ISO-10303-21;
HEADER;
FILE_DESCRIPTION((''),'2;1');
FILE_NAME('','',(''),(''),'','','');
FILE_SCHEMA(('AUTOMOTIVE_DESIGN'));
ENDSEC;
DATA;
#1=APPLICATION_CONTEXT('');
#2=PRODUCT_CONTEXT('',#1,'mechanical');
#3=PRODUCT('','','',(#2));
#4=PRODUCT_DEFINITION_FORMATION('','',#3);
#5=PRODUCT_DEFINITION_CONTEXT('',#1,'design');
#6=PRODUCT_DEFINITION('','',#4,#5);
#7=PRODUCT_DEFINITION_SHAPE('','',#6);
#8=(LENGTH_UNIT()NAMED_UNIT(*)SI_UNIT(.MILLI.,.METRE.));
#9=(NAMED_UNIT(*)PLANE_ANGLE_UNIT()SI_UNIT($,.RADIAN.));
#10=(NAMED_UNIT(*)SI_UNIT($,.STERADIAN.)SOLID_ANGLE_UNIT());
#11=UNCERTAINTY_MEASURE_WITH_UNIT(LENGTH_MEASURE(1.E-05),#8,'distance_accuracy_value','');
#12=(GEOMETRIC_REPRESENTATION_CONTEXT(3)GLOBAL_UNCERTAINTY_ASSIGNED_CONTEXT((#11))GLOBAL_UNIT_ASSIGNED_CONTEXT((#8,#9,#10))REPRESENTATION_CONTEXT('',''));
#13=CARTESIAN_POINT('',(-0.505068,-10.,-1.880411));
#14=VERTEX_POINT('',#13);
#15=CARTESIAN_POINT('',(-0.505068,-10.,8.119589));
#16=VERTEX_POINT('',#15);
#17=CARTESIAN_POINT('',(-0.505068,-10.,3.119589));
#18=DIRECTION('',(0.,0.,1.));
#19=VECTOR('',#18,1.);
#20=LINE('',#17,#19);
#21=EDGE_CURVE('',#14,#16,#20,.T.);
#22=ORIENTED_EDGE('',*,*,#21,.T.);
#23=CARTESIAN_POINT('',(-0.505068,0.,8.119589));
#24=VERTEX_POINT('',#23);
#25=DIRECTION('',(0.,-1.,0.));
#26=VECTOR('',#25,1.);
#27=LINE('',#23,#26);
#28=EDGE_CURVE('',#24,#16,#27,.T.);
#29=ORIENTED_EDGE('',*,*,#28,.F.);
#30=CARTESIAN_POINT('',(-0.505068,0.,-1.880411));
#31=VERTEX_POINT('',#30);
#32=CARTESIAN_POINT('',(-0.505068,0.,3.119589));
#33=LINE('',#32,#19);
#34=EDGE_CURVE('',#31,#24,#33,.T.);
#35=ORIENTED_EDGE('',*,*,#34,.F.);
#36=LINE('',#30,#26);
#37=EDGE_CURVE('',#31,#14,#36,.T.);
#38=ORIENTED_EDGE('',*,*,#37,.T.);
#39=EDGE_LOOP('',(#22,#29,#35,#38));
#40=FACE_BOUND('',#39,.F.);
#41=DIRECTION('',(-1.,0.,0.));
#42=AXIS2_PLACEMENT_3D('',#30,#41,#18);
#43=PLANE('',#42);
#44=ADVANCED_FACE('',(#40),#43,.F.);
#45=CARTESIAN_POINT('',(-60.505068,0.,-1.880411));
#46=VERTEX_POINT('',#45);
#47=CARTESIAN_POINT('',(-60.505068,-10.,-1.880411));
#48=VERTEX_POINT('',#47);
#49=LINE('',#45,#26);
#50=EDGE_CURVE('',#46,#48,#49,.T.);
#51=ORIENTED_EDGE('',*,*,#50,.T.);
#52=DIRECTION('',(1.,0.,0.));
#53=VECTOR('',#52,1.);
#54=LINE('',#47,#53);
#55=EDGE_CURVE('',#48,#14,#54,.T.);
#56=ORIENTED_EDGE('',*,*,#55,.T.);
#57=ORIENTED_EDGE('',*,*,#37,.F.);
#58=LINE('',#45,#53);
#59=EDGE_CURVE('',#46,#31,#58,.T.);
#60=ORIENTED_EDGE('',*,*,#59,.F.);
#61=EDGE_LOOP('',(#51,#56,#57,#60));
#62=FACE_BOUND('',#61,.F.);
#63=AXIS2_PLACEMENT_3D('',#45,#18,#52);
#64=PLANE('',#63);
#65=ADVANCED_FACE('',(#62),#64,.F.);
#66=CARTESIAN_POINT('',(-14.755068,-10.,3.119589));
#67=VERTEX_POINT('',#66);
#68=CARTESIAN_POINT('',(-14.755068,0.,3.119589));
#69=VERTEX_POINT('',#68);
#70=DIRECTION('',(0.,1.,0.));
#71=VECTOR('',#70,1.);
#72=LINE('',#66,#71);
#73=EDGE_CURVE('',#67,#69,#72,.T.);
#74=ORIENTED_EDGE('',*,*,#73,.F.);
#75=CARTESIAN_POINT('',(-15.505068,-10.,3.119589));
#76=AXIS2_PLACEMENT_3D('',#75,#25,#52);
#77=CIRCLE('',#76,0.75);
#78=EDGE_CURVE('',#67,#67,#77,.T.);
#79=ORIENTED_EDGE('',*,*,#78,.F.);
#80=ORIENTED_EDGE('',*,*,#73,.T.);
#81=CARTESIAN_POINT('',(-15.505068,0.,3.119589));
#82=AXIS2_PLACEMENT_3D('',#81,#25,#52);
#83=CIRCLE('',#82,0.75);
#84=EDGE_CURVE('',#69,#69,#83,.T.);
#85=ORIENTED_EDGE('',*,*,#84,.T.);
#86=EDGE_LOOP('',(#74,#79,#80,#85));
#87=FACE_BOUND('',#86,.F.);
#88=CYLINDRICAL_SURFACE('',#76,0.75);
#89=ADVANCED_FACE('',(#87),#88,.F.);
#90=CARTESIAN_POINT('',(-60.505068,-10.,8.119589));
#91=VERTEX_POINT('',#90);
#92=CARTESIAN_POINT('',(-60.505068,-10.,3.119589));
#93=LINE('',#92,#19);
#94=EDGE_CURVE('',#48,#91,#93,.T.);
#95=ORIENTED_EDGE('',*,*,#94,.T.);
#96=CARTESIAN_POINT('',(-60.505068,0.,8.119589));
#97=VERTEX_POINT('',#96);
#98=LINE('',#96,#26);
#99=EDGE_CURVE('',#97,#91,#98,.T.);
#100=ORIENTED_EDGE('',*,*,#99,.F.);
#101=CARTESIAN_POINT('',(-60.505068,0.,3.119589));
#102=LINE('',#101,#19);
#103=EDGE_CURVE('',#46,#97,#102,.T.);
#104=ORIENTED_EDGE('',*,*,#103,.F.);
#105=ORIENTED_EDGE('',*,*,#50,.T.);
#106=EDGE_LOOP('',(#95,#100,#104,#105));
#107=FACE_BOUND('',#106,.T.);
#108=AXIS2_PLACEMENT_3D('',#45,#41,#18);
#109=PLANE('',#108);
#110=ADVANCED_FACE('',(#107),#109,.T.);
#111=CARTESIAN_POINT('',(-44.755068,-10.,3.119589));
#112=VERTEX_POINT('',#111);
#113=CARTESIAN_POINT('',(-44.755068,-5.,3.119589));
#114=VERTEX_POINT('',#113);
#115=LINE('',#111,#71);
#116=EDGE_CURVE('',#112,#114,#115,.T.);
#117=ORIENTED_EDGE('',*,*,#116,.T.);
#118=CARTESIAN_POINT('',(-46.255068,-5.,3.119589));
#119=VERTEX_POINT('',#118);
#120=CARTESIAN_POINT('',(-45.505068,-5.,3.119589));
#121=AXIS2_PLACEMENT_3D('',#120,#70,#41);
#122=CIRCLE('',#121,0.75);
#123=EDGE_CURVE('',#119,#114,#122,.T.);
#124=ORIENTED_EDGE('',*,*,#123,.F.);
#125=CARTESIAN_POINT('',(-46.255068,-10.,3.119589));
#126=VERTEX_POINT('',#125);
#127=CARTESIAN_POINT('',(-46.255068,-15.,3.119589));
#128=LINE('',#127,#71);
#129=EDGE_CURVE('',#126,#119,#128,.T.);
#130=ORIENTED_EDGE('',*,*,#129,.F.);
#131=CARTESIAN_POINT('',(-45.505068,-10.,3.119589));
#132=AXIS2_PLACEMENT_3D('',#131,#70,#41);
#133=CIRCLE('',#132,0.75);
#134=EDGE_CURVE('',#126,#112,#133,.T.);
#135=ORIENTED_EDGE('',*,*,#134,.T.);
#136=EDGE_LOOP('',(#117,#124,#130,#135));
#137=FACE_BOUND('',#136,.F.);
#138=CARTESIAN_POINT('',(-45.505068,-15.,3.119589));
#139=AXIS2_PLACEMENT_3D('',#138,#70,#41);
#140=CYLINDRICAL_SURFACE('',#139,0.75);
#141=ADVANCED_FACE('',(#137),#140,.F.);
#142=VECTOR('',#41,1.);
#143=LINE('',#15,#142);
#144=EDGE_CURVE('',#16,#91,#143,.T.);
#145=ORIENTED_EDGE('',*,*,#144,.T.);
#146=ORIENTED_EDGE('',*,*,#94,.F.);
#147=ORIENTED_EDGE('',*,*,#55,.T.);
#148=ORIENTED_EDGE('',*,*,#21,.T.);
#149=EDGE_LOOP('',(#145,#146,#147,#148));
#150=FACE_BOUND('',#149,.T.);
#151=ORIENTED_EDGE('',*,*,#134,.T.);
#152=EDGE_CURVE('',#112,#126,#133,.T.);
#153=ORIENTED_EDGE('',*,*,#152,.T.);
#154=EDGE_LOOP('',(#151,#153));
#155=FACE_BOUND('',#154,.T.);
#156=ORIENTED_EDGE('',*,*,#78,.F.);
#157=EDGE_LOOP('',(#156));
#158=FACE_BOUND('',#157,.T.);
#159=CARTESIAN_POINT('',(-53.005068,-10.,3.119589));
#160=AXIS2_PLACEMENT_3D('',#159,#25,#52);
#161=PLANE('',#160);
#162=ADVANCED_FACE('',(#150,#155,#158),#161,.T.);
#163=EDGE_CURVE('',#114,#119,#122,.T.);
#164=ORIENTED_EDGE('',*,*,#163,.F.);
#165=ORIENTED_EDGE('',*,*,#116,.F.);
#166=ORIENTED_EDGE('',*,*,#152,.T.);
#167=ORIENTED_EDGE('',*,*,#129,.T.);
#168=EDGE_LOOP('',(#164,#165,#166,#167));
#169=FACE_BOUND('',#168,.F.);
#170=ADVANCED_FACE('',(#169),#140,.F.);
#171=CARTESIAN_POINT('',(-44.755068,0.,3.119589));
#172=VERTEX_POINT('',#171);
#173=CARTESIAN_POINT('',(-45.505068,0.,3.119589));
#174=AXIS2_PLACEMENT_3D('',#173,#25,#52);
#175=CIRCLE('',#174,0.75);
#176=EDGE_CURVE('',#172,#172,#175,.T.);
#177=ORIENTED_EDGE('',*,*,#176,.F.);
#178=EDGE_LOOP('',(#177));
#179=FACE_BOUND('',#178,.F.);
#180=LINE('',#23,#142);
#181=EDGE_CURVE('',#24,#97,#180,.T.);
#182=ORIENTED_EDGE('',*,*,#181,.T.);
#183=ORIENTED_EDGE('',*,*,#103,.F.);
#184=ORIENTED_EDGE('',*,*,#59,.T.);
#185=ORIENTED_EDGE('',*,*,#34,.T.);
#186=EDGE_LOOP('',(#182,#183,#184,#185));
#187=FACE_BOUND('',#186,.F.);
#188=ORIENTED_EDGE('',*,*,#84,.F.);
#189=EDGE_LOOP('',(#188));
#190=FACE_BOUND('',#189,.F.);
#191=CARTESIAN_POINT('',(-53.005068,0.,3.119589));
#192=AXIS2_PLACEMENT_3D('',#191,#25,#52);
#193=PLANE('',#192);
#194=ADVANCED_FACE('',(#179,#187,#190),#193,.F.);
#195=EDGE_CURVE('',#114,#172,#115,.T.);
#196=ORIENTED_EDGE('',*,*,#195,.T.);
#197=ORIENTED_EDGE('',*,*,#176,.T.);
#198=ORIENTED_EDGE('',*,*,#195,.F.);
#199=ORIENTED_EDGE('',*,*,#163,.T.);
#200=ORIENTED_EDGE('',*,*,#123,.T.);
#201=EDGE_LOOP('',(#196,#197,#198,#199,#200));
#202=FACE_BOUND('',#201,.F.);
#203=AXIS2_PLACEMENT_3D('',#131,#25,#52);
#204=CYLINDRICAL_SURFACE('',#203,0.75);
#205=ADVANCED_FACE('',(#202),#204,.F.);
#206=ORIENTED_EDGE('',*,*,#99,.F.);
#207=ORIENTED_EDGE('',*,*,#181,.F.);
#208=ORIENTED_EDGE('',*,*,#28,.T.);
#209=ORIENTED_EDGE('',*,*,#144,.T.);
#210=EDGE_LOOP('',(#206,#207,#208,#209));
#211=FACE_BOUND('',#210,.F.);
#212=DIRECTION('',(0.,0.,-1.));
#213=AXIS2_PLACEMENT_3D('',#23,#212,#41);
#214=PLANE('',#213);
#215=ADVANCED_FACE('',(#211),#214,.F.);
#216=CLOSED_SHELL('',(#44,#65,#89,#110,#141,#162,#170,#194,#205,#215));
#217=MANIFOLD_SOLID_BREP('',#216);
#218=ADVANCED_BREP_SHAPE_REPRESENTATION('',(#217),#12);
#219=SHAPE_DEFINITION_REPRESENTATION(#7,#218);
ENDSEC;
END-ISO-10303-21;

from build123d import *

# Parameters (mm, degrees)
F0_W     = 15
F0_H     = 10
F0_W_2   = 30
F1_DEPTH = 10
F3_D     = 1.5
F3_DEPTH = 5
F2_R     = 0.75
F4_DEPTH = 25


with BuildPart() as f1:
    # F0 (on Front) → F1 (new body)
    with BuildSketch(Plane.XZ):
        with Locations((-53.005068, 3.119589)):
            Rectangle(F0_W, F0_H)
        with Locations((-30.505068, 3.119589)):
            Rectangle(F0_W_2, F0_H)
        with Locations((-8.005068, 3.119589)):
            Rectangle(F0_W, F0_H)
    extrude(amount=F1_DEPTH)

    # F3
    with Locations(Plane.XZ.offset(10)):
        with Locations((-45.505068, 3.119589)):
            Hole(F3_D / 2, depth=F3_DEPTH)

    # F2 (on face) → F4 (cut)
    with BuildSketch(Plane.XZ.offset(10)):
        with Locations((-45.505068, 3.119589)):
            Circle(F2_R)
        with Locations((-15.505068, 3.119589)):
            Circle(F2_R)
    extrude(amount=-F4_DEPTH, mode=Mode.SUBTRACT)


solid = f1.part
